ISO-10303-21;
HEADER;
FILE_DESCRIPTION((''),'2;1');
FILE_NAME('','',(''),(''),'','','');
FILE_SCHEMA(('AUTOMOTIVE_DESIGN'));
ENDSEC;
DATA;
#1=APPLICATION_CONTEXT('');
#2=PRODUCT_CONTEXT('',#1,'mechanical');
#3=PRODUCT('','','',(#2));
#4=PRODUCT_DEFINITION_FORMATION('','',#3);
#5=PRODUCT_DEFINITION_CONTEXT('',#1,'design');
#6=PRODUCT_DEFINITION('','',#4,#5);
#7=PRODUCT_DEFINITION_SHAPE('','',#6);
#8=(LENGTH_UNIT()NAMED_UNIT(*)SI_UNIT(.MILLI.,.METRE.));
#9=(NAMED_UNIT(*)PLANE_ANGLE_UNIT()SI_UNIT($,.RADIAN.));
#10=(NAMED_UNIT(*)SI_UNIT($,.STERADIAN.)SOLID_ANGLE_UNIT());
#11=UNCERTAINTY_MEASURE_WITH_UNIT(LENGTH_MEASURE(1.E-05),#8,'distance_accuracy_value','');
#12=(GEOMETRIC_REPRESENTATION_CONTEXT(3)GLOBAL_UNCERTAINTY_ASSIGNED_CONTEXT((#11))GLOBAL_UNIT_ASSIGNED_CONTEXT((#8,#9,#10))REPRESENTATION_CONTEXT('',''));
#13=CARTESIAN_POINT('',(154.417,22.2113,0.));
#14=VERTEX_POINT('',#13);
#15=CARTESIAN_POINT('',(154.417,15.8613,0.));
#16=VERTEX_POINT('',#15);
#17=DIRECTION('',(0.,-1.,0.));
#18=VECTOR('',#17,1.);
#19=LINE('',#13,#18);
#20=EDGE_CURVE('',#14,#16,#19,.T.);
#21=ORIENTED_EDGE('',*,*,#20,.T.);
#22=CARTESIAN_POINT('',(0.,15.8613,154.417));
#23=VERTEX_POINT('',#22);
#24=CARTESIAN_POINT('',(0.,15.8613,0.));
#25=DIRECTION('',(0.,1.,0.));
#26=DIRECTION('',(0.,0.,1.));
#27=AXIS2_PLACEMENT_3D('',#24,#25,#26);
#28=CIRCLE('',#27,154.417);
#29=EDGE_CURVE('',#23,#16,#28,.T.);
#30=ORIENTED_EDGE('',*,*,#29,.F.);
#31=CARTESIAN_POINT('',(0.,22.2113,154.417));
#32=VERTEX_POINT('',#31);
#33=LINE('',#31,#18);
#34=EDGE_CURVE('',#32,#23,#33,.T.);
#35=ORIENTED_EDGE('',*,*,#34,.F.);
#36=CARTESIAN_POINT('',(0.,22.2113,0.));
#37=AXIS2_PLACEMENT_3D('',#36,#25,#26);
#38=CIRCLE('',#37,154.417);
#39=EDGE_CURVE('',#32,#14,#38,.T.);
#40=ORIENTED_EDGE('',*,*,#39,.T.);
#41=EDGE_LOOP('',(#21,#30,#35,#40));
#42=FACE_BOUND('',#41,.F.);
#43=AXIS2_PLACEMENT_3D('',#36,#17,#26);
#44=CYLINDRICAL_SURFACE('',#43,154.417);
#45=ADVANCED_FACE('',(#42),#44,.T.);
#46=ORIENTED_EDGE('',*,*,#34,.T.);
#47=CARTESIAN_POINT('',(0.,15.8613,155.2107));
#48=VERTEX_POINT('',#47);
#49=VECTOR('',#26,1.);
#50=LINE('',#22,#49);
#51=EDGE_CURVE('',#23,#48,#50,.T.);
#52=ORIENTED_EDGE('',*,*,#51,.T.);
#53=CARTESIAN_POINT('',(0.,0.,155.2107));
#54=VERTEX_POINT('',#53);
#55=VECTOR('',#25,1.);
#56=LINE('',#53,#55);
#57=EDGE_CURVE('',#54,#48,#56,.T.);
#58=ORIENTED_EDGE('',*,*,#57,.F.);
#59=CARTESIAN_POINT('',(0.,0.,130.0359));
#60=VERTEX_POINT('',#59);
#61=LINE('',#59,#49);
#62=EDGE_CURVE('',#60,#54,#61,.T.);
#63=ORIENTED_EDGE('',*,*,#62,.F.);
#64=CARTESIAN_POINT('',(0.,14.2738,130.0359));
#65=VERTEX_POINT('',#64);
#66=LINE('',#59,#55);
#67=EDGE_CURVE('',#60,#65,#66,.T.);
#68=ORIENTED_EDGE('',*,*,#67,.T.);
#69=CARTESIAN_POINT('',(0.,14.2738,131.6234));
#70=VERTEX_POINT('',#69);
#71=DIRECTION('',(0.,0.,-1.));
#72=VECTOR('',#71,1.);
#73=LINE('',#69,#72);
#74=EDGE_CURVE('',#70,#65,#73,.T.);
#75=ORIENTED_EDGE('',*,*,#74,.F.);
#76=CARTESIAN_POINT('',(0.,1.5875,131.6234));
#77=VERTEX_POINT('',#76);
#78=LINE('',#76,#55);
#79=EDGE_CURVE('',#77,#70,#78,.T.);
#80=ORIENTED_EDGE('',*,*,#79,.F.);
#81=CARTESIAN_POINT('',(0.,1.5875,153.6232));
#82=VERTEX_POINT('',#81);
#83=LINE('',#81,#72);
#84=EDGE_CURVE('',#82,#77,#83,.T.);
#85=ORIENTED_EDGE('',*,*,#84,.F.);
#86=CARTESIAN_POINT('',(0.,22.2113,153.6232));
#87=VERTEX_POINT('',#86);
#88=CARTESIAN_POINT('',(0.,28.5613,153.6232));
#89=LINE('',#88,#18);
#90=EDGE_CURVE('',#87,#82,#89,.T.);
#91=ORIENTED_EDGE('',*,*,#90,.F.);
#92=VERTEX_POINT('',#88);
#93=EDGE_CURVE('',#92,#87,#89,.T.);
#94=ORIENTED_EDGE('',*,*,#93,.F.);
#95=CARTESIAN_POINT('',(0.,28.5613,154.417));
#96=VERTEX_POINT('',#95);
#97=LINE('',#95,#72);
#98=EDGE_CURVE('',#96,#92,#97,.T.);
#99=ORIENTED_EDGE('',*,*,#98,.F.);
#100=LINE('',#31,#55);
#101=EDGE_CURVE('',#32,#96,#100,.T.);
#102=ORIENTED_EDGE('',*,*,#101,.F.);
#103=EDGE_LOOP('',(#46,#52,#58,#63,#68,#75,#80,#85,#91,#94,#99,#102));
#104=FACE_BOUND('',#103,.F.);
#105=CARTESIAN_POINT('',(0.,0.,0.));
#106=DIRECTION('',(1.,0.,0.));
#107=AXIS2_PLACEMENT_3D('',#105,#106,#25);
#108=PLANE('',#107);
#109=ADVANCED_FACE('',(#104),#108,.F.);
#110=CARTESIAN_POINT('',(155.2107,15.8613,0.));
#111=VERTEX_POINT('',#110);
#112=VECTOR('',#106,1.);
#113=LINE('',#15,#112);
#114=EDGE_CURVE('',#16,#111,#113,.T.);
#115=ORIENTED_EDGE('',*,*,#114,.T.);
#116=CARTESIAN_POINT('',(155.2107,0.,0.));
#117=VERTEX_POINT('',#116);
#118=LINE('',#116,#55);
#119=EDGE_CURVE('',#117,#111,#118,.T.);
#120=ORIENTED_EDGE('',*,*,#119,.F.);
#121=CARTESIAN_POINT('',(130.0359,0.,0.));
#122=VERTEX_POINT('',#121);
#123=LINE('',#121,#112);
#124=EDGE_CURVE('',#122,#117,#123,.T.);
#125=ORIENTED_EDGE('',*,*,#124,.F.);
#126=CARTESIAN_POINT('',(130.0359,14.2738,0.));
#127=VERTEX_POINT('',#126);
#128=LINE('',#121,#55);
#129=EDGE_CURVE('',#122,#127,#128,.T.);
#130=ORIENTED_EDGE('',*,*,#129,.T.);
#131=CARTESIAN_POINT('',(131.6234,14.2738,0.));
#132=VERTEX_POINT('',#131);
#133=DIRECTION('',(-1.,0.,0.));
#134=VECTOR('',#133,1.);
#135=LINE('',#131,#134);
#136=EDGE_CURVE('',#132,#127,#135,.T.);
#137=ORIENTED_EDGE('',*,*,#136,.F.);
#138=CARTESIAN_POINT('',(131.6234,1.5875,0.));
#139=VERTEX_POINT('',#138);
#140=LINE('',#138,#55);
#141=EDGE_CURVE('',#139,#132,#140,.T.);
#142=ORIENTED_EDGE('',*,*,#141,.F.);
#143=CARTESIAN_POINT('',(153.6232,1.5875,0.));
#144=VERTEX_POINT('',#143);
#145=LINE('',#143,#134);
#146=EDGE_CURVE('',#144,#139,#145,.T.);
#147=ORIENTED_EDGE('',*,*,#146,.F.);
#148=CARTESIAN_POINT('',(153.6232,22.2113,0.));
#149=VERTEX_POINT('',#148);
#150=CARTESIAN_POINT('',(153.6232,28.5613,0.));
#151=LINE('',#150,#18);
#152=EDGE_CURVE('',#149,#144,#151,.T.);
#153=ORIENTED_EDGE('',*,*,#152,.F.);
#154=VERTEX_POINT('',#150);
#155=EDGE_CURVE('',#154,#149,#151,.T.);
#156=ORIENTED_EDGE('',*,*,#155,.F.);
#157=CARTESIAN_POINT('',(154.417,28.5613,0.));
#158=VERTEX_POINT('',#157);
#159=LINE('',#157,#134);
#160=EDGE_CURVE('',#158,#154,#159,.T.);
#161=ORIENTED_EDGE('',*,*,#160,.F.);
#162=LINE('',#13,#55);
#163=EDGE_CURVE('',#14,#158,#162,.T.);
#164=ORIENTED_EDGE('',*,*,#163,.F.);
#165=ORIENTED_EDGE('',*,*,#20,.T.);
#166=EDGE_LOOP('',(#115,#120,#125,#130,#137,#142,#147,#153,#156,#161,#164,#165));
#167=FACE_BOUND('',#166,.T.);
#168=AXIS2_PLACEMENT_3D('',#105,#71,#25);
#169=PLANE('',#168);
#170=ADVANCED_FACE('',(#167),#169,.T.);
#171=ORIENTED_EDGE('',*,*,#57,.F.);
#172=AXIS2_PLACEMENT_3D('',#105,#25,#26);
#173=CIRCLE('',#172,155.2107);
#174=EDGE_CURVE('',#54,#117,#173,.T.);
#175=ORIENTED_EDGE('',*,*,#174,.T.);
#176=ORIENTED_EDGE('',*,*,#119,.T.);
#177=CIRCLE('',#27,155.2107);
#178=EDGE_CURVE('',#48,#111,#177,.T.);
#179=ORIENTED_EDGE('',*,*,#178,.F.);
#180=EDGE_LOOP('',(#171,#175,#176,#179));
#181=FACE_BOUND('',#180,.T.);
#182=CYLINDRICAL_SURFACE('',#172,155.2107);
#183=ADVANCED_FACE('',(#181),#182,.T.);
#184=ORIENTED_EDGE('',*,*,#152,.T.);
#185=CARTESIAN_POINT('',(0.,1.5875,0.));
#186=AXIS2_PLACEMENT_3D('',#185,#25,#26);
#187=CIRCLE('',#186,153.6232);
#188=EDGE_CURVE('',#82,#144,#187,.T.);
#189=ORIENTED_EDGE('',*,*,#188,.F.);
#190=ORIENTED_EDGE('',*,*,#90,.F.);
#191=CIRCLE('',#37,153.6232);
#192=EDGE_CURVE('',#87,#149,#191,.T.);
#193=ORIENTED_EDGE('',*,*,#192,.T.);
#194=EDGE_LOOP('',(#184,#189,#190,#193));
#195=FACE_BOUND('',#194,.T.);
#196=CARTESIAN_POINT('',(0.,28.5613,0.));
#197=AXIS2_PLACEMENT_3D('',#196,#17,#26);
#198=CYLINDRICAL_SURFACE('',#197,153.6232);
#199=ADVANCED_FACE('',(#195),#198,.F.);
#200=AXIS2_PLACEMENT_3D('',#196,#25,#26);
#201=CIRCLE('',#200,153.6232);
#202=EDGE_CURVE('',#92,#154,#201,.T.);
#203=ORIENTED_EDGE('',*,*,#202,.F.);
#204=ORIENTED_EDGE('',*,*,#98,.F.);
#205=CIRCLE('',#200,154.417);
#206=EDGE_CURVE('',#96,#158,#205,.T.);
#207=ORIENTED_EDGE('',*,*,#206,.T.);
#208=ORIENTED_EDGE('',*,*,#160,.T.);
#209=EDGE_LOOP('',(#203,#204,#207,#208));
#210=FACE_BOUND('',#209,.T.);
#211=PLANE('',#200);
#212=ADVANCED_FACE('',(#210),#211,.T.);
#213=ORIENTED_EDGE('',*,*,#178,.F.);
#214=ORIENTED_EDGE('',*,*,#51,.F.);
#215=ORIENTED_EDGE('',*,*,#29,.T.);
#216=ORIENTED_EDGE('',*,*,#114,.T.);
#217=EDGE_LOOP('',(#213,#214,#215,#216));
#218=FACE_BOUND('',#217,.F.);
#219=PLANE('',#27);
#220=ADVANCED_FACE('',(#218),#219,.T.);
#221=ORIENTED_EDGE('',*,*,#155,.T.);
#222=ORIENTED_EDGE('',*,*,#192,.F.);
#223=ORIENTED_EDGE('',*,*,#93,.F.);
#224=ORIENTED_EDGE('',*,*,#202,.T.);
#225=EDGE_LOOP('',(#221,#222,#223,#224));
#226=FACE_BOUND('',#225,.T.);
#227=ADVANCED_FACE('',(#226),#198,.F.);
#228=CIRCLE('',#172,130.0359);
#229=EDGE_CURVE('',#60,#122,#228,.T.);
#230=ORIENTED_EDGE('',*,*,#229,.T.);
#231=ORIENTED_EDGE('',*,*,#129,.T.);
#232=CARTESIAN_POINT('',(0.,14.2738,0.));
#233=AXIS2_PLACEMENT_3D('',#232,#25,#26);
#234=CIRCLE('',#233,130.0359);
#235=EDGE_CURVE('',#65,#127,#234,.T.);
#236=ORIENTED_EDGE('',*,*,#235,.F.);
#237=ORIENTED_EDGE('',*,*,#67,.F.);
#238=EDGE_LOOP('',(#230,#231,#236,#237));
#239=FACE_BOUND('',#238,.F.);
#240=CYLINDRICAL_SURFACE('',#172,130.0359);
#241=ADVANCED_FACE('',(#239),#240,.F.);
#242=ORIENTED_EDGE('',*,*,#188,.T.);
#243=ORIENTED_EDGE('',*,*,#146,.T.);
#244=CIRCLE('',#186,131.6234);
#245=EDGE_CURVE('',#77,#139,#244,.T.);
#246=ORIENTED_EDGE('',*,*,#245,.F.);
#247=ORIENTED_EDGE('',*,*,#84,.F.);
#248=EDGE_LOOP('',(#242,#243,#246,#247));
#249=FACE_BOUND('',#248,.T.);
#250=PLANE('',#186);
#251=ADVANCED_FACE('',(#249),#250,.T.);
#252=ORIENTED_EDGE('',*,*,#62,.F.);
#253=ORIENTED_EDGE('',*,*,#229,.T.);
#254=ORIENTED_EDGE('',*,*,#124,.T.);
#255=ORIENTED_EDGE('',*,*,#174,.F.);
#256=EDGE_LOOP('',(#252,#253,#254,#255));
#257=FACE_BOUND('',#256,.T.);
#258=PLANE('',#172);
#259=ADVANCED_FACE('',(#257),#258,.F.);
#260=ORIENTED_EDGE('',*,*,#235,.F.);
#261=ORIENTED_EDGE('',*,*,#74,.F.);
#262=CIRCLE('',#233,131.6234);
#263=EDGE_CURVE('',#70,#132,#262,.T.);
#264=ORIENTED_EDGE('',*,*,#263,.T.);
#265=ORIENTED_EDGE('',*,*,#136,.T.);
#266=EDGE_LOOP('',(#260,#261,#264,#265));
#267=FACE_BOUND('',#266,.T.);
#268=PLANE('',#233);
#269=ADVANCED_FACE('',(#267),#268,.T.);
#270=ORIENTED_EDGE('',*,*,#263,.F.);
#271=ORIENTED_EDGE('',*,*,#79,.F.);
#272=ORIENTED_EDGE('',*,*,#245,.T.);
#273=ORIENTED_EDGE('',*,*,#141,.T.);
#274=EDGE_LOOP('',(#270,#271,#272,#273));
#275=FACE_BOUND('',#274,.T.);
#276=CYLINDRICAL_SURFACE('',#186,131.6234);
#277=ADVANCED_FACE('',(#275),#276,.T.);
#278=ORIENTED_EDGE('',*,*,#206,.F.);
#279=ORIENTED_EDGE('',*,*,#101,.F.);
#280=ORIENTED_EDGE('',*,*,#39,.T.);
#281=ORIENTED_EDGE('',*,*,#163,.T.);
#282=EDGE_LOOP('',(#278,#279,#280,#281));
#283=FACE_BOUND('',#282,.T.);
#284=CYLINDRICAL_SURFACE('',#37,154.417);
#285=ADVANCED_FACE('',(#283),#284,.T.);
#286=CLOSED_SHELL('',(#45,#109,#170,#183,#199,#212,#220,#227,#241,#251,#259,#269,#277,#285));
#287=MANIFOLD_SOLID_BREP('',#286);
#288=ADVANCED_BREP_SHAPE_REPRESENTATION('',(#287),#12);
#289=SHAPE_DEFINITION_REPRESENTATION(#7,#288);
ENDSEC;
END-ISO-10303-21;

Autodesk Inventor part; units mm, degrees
ref_plane "YZ Plane" through (0, 0, 0) normal (1, 0, 0) x (0, 1, 0)
ref_plane "XZ Plane" through (0, 0, 0) normal (0, 1, 0) x (-1, 0, 0)
ref_plane "XY Plane" through (0, 0, 0) normal (0, 0, 1) x (1, 0, 0)
sketch "Sketch1" plane through (0, 0, 0) normal (1, 0, 0) x (0, 1, 0)
  line L0 (0, 0) -> (73.993, 0)
  line L1 (0, 130.0359) -> (44.4227, 130.0359)
  line L2 (0, 130.0359) -> (0, 155.2107)
  line L3 (0, 155.2107) -> (15.8613, 155.2107)
  line L4 (44.4227, 155.2107) -> (44.4227, 130.0359)
  line L5 (28.5613, 153.6232) -> (1.5875, 153.6232)
  line L6 (1.5875, 153.6232) -> (1.5875, 131.6234)
  line L7 (1.5875, 131.6234) -> (42.8352, 131.6234)
  line L8 (42.8352, 131.6234) -> (42.8352, 153.6232)
  line L9 (18.2426, 143.1015) -> (18.2426, 119.3292)
  line L10 (14.2738, 131.6234) -> (14.2738, 130.0359)
  line L11 (22.2113, 131.6234) -> (22.2113, 130.0359)
  line L12 (22.2113, 154.417) -> (28.5613, 154.417)
  line L13 (28.5613, 154.417) -> (28.5613, 153.6232)
  line L14 (22.2113, 154.417) -> (15.8613, 154.417)
  line L15 (15.8613, 154.417) -> (15.8613, 155.2107)
  line L16 (22.2113, 172.7158) -> (22.2113, 154.417)
  line L17 (22.2113, 153.6232) -> (22.2113, 148.8604)
  dimension "d1" = 25.1748
  dimension "d2" = 130.0359
  dimension "Height" = 44.4227
  dimension "d4" = 0
  dimension "d5" = 1.5875
  dimension "d6" = 1.5875
  dimension "d7" = 1.5875
  dimension "d8" = 1.5875
  dimension "d9" = 18.2426
  dimension "d10" = 7.9375
  dimension "d11" = 3.9688
  dimension "d14" = 0.7937
  dimension "d15" = 6.35
  dimension "d16" = 6.35
revolve "Revolution1" add sketch "Sketch1" angle 90 about axis through (0, 0, 0) along (0, 1, 0) contours L2 L3 L15 L14 L12 L13 L5 L6 L7 L10 L1
equation "\"d2\" = 0.5 * IBDia - 3 * SpWall"
equation "\"Height\" = Wall + 4 * SpWall + BevDriverDia + d1_1"
equation "\"d5\" = Wall"
equation "\"d6\" = Wall"
equation "\"d7\" = Wall"
equation "\"d8\" = Wall"
equation "\"d9\" = 2 * SpWall + 0.5 * BevDriverDia"
equation "\"d10\" = AxelDia + Space"
equation "\"d11\" = 0.5 * Space + 0.5 * AxelDia"
equation "\"d14\" = 0.5 * Wall"
equation "\"IDia\" = 266.7"
equation "\"Wall\" = 1.5875"
equation "\"Space\" = 1.5875"
equation "\"SpWall\" = 3.175"
equation "\"AxelDia\" = 6.35"
equation "\"d13\" = 0.5 * Height"
equation "\"IBDia\" = 279.121792"
equation "\"BevDriverDia\" = 23.785175"
equation "\"d1_1\" = 6.35"
properties part number "OuterShell_Bottom_Quarter"
